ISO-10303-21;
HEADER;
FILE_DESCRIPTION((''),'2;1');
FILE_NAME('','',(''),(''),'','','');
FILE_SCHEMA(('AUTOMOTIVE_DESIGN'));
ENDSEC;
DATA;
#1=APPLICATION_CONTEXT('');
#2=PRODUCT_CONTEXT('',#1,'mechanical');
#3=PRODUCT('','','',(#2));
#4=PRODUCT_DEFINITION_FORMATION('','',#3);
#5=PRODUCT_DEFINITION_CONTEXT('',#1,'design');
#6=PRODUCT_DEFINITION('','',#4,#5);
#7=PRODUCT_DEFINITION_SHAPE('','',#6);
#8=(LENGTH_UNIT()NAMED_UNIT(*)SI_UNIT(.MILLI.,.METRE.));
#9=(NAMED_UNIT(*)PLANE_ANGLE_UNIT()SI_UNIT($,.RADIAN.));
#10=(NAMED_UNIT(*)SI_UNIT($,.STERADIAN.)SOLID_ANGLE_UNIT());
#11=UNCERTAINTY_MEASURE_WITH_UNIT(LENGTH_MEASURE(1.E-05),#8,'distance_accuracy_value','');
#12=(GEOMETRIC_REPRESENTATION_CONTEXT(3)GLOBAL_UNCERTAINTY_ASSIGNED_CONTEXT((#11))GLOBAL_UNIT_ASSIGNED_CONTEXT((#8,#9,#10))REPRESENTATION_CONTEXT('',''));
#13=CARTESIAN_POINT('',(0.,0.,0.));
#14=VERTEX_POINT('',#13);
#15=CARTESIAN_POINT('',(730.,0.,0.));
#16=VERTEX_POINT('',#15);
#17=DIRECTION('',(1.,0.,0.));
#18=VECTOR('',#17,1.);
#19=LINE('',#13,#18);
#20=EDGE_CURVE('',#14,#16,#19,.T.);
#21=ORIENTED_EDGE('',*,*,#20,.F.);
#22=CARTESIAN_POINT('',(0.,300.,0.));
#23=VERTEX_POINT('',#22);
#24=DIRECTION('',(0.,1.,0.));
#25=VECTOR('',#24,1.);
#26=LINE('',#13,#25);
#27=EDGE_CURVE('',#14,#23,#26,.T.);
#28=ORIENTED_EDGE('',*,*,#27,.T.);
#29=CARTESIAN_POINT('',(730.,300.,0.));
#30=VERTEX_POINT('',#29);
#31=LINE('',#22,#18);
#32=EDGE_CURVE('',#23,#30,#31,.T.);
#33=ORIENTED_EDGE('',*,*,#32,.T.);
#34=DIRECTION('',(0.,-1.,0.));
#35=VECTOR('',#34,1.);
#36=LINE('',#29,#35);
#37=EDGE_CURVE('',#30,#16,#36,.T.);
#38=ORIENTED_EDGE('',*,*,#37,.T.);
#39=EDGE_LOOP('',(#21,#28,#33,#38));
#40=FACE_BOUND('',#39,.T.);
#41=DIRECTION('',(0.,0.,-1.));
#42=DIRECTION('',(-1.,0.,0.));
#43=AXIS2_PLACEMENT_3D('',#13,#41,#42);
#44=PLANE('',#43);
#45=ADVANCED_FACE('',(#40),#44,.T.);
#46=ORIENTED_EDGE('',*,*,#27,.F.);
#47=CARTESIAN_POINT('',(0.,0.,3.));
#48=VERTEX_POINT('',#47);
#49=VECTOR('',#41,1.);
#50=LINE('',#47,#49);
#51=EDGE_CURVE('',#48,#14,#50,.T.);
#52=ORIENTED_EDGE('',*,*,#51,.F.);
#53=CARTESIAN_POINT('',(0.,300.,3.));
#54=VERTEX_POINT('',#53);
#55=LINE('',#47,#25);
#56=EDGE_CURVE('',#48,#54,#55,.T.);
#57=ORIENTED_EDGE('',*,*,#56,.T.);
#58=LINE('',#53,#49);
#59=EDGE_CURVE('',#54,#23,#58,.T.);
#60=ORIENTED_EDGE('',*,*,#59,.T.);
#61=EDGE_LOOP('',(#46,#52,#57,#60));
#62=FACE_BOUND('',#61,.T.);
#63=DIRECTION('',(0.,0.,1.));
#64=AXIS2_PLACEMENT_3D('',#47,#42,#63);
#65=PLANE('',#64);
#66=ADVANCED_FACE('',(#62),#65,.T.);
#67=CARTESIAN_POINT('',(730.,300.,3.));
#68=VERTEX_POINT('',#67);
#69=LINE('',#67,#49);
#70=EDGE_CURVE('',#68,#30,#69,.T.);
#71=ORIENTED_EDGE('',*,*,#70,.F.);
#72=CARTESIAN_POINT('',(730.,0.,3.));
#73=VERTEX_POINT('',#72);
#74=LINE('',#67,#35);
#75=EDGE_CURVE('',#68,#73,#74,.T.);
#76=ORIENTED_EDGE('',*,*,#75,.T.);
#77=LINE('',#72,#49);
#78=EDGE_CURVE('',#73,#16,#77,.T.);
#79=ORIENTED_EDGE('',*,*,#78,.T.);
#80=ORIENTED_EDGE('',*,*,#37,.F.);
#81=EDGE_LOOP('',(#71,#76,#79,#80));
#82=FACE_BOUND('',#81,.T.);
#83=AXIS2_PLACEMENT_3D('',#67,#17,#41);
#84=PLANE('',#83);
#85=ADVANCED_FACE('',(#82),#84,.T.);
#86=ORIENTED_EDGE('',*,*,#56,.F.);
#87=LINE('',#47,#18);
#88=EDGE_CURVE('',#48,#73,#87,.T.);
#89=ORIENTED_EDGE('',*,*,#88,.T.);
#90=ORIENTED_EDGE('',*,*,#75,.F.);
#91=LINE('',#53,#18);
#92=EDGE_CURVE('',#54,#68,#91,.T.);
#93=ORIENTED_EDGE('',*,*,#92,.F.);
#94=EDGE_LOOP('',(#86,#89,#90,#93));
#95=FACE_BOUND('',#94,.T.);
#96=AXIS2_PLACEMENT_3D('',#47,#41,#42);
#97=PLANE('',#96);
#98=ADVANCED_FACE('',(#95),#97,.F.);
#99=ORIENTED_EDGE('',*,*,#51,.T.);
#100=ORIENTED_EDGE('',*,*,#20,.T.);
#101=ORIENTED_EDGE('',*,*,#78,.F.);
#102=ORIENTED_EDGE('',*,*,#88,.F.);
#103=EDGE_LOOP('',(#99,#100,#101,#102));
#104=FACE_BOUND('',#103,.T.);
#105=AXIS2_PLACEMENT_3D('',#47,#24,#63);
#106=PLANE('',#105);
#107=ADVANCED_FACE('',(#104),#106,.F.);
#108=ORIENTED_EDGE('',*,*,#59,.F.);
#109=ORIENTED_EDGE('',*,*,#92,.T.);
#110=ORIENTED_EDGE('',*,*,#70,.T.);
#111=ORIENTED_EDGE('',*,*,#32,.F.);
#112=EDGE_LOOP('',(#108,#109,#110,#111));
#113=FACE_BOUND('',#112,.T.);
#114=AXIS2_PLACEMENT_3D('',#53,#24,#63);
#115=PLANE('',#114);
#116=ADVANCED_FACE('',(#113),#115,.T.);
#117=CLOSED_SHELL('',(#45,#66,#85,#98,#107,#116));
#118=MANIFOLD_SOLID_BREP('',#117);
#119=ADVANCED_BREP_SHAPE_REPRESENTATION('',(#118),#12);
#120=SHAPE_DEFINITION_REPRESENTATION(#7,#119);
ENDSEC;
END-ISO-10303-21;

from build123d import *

# Parameters (mm, degrees)
SKETCH1_W           = 730
SKETCH1_H           = 300
BOSS_EXTRUDE1_DEPTH = 3


with BuildPart() as part:
    # Sketch1 → Boss-Extrude1 (new body)
    with BuildSketch(Plane.XY):
        with Locations((365, 150)):
            Rectangle(SKETCH1_W, SKETCH1_H)
    extrude(amount=BOSS_EXTRUDE1_DEPTH)


solid = part.part
